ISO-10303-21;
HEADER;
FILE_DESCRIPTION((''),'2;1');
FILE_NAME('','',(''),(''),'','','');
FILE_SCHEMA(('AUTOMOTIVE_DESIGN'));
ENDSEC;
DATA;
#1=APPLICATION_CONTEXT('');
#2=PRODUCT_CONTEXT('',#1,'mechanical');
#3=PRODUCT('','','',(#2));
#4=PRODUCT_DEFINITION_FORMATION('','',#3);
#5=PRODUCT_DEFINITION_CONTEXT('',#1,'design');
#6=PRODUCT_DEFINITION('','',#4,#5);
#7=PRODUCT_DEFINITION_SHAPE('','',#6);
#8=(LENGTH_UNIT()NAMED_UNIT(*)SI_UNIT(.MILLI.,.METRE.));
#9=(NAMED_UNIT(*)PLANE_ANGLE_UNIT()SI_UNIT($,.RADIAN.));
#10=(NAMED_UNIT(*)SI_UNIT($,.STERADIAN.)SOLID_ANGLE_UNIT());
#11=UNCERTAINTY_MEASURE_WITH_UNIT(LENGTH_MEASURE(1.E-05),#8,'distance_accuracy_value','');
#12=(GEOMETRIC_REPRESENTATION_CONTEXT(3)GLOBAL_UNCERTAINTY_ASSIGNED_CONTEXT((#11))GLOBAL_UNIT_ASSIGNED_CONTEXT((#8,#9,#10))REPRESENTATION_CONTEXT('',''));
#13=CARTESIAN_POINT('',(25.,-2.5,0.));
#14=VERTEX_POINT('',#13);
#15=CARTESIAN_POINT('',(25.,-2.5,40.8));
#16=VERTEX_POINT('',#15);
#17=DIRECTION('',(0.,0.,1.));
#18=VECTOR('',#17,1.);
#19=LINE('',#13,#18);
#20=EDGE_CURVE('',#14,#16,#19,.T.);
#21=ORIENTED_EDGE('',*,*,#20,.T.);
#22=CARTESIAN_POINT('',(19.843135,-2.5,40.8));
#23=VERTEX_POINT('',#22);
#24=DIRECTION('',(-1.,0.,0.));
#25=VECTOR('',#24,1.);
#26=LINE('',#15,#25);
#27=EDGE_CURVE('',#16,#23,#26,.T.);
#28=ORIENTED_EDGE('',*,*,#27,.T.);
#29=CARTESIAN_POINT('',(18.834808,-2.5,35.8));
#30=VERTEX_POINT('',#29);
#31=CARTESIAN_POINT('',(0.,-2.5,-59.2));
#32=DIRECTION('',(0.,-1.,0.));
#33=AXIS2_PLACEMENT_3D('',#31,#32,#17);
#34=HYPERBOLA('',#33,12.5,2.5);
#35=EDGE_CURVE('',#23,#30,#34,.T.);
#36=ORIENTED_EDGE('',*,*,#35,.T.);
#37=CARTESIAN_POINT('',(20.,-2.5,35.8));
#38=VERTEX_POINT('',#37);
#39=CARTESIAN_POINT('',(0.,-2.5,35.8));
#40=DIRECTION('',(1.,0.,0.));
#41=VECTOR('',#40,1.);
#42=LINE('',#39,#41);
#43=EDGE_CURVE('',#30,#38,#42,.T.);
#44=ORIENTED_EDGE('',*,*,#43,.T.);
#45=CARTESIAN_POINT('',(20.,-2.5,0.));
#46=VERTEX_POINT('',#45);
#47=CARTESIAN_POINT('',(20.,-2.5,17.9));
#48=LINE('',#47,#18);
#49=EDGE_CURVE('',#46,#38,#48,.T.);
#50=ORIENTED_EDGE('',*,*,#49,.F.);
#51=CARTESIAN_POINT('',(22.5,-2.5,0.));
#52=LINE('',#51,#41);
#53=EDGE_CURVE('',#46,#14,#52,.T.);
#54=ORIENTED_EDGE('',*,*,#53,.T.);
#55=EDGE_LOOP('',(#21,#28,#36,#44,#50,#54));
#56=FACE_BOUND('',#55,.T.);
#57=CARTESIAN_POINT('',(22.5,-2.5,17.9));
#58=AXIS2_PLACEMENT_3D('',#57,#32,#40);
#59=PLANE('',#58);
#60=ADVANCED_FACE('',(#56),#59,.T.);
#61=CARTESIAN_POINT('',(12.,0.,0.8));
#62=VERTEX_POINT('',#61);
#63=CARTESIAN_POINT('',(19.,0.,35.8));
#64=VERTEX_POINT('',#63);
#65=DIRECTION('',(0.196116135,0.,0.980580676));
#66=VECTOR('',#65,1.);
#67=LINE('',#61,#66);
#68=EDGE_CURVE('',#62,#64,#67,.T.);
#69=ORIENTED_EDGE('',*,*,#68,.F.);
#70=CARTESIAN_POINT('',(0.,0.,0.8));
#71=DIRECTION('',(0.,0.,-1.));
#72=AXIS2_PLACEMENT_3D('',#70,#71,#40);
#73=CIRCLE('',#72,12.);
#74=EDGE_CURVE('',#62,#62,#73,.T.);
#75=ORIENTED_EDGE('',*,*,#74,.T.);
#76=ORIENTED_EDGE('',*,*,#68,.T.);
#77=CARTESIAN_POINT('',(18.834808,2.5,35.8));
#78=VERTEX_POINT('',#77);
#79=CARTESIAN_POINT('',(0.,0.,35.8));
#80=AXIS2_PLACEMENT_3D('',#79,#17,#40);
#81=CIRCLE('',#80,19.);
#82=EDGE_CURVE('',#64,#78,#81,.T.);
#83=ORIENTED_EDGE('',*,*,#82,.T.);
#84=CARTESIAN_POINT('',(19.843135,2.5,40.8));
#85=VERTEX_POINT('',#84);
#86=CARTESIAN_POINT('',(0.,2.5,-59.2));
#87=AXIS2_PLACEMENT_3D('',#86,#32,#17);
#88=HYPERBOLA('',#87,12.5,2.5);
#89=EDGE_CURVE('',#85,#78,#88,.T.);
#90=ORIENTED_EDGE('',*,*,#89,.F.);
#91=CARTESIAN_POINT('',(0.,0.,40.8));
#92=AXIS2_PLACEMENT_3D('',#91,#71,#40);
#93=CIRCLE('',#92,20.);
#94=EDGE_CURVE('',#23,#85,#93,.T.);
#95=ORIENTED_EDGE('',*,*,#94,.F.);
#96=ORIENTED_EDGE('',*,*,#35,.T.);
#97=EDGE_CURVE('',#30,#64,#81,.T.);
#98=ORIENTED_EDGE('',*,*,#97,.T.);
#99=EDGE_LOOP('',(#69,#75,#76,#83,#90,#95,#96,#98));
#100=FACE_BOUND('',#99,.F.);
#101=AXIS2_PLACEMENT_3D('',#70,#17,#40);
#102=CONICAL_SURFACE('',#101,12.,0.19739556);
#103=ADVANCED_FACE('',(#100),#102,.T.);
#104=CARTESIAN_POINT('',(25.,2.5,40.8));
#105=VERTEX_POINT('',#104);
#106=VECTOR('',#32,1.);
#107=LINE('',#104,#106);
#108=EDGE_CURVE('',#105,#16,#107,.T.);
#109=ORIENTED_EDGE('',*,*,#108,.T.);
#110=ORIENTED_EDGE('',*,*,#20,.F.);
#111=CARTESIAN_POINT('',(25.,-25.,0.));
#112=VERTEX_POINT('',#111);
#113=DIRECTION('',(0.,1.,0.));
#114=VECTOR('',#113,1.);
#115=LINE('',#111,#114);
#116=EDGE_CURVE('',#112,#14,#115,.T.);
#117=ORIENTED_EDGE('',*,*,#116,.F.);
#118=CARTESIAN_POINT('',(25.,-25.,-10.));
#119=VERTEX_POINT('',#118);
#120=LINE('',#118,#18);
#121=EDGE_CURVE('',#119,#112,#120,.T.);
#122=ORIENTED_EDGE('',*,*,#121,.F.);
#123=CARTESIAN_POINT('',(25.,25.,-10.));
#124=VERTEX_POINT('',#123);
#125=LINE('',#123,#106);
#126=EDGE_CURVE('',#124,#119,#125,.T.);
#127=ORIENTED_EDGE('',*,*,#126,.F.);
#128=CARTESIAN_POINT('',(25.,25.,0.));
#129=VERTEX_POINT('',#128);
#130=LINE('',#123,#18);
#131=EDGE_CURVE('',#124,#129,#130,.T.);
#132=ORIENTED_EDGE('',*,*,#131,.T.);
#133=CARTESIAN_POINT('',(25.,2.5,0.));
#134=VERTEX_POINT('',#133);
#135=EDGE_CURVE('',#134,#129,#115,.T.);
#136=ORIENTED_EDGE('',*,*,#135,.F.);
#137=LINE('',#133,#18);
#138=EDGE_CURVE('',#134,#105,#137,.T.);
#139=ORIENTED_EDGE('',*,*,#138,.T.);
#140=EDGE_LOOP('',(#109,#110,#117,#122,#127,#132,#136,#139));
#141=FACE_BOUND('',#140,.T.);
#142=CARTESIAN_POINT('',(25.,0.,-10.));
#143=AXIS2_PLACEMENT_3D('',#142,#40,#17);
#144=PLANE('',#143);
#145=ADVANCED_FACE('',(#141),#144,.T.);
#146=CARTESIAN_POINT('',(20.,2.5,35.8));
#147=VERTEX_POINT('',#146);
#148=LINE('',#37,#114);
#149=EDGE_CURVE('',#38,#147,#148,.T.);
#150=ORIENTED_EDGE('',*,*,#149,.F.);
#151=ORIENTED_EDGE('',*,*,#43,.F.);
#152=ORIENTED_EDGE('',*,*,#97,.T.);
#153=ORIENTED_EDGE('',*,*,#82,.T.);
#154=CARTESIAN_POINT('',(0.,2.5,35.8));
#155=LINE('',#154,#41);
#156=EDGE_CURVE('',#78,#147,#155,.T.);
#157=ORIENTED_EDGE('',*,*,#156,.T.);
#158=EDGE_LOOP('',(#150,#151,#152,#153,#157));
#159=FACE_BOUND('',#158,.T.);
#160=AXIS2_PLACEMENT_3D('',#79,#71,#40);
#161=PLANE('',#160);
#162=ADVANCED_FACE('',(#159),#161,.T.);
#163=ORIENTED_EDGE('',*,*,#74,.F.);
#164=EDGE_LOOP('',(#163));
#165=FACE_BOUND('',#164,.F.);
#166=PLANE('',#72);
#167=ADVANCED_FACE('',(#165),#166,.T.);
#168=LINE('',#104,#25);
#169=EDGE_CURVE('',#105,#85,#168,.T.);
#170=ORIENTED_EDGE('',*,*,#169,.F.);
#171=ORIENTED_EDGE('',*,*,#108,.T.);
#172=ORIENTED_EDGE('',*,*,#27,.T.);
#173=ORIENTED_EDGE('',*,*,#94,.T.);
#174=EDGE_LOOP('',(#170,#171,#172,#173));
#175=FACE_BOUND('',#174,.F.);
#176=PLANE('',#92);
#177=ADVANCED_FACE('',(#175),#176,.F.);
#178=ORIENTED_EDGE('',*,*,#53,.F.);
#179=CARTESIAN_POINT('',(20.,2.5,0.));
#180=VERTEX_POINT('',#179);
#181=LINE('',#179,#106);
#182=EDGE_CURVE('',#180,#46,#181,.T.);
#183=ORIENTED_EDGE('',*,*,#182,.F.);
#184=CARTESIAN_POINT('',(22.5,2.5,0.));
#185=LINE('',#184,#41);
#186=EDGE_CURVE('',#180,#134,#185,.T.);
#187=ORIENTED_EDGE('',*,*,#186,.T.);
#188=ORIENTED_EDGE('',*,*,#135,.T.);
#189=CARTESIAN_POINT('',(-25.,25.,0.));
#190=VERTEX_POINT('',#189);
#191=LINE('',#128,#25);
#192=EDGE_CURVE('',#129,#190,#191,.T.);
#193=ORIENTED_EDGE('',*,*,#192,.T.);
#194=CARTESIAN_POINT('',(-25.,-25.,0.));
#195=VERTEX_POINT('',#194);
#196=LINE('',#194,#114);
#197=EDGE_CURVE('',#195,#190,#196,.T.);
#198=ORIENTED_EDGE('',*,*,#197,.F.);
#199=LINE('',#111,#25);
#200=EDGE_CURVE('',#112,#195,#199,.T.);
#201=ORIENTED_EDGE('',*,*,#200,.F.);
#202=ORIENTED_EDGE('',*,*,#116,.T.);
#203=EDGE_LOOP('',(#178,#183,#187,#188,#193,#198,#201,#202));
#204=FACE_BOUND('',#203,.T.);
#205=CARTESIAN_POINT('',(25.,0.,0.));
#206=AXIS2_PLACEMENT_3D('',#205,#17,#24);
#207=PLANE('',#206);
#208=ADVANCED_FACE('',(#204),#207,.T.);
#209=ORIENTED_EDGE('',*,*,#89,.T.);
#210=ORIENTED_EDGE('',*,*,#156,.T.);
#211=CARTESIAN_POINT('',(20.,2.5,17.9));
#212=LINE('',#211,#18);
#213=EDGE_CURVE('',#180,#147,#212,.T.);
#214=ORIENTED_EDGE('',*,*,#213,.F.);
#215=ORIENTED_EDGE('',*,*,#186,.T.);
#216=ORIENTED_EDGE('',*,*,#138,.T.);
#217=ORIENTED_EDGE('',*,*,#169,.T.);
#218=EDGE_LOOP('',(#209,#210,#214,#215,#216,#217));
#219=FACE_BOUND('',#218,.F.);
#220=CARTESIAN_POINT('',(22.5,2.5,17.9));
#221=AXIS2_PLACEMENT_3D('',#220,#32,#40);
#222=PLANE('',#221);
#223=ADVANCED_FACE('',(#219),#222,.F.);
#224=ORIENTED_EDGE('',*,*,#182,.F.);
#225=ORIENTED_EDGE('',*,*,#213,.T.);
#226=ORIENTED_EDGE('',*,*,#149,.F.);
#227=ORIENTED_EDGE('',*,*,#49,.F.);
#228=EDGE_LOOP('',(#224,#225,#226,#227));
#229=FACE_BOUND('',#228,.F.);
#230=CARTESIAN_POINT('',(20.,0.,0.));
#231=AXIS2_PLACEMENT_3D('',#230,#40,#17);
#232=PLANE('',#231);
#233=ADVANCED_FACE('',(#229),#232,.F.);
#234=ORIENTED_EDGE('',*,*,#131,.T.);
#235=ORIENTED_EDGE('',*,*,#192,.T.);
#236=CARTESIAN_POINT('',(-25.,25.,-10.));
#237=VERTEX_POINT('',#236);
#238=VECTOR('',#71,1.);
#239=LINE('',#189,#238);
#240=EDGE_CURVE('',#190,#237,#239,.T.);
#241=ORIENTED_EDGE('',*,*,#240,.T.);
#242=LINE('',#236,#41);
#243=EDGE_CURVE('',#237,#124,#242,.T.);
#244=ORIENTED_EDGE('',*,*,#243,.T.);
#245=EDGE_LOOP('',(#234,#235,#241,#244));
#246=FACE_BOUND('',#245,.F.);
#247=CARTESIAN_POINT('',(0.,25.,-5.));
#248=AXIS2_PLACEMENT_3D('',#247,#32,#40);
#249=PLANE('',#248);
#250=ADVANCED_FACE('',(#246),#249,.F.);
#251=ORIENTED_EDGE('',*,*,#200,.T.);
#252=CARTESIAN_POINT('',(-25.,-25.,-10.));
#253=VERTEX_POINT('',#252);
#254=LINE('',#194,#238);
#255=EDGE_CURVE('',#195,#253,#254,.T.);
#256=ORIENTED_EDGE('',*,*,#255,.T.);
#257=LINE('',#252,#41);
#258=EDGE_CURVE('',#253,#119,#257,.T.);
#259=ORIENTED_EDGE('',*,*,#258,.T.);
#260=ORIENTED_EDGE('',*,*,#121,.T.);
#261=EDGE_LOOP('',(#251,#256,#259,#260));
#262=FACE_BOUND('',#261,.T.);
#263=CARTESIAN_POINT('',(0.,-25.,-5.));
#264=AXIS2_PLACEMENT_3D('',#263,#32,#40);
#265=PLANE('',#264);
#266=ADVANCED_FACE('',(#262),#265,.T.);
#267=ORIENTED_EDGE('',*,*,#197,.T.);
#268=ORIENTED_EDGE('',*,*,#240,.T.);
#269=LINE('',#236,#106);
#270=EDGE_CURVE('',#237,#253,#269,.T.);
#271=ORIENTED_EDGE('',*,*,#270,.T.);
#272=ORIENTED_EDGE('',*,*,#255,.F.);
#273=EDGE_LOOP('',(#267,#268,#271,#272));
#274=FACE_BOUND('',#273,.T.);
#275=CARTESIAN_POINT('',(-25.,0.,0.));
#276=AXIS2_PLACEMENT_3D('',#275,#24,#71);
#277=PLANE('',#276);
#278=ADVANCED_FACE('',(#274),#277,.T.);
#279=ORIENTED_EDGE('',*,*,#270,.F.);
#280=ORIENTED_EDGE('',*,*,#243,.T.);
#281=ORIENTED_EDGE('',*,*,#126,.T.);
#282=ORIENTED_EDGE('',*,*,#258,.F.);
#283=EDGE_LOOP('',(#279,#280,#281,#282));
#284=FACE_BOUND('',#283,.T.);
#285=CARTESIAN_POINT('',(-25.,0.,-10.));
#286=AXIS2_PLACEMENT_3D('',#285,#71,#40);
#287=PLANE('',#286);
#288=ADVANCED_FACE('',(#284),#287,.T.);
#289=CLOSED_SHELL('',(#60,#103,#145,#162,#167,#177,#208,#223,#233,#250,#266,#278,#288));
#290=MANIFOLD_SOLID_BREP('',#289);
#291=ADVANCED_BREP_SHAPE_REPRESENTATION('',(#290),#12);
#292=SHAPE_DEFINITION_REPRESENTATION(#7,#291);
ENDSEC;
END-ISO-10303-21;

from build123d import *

# Parameters (mm, degrees)
F1_DEPTH = 25
F0_W     = 5
F0_H     = 35.8
F2_DEPTH = 2.5


with BuildPart() as f1:
    # F0 (on Front) → F1 (new body, symmetric)
    with BuildSketch(Plane.XZ):
        Polygon((20, 0), (-25, 0), (-25, -10), (25, -10), (25, 0), align=None)
    extrude(amount=F1_DEPTH, both=True)

    # F0 (on Front) → F2 (join, symmetric)
    with BuildSketch(Plane.XZ):
        with Locations((22.5, 17.9)):
            Rectangle(F0_W, F0_H)
        Polygon((19, 35.8), (20, 35.8), (25, 35.8), (25, 40.8), (20, 40.8), align=None)
        Polygon((0, 35.8), (19, 35.8), (20, 40.8), (0, 40.8), align=None)
    extrude(amount=F2_DEPTH, both=True)

    # F0 (on Front) → F3 (revolve)
    with BuildSketch(Plane.XZ):
        Polygon((12, 0.8), (19, 35.8), (0, 35.8), (0, 0.8), align=None)
        Polygon((0, 35.8), (19, 35.8), (20, 40.8), (0, 40.8), align=None)
    revolve(axis=Axis((0, 0, 20.8), (0, 0, -1)))


solid = f1.part
